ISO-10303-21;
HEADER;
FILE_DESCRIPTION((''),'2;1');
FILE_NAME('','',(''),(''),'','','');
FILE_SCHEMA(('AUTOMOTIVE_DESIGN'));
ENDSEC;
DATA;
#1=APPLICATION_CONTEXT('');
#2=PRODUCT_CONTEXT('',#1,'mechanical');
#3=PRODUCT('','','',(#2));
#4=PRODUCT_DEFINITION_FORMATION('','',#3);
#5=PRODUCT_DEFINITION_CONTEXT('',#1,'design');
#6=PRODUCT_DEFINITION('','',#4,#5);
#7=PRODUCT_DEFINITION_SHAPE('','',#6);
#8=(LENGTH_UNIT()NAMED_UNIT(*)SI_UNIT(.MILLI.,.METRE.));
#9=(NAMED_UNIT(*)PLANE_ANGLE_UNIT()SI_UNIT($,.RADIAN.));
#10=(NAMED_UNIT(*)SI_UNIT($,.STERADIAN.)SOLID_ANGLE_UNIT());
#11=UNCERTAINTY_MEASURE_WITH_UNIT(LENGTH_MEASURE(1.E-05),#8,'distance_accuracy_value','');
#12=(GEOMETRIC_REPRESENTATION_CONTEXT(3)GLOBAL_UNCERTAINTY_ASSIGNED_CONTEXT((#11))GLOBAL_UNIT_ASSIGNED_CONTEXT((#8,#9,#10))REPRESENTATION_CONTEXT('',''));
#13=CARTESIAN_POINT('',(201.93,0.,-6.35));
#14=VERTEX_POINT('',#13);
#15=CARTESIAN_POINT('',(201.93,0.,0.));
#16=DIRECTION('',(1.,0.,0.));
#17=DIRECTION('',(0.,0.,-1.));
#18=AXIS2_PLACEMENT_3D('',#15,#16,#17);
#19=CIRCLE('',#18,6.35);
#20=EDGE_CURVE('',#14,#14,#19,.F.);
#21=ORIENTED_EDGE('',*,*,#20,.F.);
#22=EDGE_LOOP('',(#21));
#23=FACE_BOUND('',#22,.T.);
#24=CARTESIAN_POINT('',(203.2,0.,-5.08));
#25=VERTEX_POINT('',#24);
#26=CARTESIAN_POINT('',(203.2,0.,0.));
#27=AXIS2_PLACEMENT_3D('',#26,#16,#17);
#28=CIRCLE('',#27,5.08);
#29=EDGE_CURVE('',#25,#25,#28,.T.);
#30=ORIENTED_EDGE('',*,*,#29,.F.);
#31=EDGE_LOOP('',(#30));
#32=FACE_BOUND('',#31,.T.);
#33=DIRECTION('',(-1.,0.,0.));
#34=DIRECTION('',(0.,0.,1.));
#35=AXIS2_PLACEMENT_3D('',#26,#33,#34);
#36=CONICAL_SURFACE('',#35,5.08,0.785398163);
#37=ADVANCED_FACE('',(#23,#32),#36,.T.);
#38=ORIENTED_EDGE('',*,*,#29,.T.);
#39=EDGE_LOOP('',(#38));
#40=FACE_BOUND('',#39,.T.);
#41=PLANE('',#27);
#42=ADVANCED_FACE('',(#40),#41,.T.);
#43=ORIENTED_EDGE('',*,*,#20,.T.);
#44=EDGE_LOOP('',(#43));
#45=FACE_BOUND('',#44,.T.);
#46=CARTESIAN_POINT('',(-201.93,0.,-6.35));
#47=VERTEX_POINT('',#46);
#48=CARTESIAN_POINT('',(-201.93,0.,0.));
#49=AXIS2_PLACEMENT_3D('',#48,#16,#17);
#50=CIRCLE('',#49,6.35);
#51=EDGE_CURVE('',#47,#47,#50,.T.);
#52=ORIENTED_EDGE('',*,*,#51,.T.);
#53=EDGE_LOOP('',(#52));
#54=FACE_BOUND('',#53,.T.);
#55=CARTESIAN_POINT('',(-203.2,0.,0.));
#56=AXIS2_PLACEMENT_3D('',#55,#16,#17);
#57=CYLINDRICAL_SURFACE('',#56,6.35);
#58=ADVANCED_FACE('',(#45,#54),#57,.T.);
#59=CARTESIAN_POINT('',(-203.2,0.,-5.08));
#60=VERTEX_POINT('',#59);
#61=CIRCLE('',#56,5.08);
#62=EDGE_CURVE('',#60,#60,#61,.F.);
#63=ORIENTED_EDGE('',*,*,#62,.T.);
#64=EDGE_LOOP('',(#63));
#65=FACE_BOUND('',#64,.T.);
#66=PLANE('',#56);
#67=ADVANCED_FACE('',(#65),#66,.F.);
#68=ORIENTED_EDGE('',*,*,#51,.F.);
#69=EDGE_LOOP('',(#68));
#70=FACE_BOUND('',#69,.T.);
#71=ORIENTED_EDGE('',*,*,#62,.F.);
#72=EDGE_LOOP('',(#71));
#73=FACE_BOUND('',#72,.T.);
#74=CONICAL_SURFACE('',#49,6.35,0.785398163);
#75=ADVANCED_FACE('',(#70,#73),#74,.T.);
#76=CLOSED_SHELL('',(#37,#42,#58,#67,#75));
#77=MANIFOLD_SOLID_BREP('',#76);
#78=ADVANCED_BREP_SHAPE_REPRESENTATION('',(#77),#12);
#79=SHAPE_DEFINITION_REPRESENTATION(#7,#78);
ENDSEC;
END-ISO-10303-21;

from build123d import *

# Parameters (mm, degrees)
EXTRUDE1_DEPTH      = 203.2
EXTRUDE1_DEPTH_BACK = 203.2
SKETCH2_R           = 6.35
CHAMFER1_SIZE       = 1.27


with BuildPart() as part:
    # Sketch2 → Extrude1 (new, two sides: drawn at the far end of the back side and taken through both)
    with BuildSketch(Plane(origin=(0, 0, 0), x_dir=(0, 0, -1), z_dir=(1, 0, 0)).offset(-EXTRUDE1_DEPTH_BACK)):
        Circle(SKETCH2_R)
    extrude(amount=EXTRUDE1_DEPTH + EXTRUDE1_DEPTH_BACK)

    # Chamfer1
    chamfer1_edges = [part.edges().sort_by_distance(p)[0] for p in [
        (-203.2, 0, 6.35),
        (203.2, 0, 6.35),
    ]]
    chamfer(chamfer1_edges, length=CHAMFER1_SIZE)


solid = part.part
